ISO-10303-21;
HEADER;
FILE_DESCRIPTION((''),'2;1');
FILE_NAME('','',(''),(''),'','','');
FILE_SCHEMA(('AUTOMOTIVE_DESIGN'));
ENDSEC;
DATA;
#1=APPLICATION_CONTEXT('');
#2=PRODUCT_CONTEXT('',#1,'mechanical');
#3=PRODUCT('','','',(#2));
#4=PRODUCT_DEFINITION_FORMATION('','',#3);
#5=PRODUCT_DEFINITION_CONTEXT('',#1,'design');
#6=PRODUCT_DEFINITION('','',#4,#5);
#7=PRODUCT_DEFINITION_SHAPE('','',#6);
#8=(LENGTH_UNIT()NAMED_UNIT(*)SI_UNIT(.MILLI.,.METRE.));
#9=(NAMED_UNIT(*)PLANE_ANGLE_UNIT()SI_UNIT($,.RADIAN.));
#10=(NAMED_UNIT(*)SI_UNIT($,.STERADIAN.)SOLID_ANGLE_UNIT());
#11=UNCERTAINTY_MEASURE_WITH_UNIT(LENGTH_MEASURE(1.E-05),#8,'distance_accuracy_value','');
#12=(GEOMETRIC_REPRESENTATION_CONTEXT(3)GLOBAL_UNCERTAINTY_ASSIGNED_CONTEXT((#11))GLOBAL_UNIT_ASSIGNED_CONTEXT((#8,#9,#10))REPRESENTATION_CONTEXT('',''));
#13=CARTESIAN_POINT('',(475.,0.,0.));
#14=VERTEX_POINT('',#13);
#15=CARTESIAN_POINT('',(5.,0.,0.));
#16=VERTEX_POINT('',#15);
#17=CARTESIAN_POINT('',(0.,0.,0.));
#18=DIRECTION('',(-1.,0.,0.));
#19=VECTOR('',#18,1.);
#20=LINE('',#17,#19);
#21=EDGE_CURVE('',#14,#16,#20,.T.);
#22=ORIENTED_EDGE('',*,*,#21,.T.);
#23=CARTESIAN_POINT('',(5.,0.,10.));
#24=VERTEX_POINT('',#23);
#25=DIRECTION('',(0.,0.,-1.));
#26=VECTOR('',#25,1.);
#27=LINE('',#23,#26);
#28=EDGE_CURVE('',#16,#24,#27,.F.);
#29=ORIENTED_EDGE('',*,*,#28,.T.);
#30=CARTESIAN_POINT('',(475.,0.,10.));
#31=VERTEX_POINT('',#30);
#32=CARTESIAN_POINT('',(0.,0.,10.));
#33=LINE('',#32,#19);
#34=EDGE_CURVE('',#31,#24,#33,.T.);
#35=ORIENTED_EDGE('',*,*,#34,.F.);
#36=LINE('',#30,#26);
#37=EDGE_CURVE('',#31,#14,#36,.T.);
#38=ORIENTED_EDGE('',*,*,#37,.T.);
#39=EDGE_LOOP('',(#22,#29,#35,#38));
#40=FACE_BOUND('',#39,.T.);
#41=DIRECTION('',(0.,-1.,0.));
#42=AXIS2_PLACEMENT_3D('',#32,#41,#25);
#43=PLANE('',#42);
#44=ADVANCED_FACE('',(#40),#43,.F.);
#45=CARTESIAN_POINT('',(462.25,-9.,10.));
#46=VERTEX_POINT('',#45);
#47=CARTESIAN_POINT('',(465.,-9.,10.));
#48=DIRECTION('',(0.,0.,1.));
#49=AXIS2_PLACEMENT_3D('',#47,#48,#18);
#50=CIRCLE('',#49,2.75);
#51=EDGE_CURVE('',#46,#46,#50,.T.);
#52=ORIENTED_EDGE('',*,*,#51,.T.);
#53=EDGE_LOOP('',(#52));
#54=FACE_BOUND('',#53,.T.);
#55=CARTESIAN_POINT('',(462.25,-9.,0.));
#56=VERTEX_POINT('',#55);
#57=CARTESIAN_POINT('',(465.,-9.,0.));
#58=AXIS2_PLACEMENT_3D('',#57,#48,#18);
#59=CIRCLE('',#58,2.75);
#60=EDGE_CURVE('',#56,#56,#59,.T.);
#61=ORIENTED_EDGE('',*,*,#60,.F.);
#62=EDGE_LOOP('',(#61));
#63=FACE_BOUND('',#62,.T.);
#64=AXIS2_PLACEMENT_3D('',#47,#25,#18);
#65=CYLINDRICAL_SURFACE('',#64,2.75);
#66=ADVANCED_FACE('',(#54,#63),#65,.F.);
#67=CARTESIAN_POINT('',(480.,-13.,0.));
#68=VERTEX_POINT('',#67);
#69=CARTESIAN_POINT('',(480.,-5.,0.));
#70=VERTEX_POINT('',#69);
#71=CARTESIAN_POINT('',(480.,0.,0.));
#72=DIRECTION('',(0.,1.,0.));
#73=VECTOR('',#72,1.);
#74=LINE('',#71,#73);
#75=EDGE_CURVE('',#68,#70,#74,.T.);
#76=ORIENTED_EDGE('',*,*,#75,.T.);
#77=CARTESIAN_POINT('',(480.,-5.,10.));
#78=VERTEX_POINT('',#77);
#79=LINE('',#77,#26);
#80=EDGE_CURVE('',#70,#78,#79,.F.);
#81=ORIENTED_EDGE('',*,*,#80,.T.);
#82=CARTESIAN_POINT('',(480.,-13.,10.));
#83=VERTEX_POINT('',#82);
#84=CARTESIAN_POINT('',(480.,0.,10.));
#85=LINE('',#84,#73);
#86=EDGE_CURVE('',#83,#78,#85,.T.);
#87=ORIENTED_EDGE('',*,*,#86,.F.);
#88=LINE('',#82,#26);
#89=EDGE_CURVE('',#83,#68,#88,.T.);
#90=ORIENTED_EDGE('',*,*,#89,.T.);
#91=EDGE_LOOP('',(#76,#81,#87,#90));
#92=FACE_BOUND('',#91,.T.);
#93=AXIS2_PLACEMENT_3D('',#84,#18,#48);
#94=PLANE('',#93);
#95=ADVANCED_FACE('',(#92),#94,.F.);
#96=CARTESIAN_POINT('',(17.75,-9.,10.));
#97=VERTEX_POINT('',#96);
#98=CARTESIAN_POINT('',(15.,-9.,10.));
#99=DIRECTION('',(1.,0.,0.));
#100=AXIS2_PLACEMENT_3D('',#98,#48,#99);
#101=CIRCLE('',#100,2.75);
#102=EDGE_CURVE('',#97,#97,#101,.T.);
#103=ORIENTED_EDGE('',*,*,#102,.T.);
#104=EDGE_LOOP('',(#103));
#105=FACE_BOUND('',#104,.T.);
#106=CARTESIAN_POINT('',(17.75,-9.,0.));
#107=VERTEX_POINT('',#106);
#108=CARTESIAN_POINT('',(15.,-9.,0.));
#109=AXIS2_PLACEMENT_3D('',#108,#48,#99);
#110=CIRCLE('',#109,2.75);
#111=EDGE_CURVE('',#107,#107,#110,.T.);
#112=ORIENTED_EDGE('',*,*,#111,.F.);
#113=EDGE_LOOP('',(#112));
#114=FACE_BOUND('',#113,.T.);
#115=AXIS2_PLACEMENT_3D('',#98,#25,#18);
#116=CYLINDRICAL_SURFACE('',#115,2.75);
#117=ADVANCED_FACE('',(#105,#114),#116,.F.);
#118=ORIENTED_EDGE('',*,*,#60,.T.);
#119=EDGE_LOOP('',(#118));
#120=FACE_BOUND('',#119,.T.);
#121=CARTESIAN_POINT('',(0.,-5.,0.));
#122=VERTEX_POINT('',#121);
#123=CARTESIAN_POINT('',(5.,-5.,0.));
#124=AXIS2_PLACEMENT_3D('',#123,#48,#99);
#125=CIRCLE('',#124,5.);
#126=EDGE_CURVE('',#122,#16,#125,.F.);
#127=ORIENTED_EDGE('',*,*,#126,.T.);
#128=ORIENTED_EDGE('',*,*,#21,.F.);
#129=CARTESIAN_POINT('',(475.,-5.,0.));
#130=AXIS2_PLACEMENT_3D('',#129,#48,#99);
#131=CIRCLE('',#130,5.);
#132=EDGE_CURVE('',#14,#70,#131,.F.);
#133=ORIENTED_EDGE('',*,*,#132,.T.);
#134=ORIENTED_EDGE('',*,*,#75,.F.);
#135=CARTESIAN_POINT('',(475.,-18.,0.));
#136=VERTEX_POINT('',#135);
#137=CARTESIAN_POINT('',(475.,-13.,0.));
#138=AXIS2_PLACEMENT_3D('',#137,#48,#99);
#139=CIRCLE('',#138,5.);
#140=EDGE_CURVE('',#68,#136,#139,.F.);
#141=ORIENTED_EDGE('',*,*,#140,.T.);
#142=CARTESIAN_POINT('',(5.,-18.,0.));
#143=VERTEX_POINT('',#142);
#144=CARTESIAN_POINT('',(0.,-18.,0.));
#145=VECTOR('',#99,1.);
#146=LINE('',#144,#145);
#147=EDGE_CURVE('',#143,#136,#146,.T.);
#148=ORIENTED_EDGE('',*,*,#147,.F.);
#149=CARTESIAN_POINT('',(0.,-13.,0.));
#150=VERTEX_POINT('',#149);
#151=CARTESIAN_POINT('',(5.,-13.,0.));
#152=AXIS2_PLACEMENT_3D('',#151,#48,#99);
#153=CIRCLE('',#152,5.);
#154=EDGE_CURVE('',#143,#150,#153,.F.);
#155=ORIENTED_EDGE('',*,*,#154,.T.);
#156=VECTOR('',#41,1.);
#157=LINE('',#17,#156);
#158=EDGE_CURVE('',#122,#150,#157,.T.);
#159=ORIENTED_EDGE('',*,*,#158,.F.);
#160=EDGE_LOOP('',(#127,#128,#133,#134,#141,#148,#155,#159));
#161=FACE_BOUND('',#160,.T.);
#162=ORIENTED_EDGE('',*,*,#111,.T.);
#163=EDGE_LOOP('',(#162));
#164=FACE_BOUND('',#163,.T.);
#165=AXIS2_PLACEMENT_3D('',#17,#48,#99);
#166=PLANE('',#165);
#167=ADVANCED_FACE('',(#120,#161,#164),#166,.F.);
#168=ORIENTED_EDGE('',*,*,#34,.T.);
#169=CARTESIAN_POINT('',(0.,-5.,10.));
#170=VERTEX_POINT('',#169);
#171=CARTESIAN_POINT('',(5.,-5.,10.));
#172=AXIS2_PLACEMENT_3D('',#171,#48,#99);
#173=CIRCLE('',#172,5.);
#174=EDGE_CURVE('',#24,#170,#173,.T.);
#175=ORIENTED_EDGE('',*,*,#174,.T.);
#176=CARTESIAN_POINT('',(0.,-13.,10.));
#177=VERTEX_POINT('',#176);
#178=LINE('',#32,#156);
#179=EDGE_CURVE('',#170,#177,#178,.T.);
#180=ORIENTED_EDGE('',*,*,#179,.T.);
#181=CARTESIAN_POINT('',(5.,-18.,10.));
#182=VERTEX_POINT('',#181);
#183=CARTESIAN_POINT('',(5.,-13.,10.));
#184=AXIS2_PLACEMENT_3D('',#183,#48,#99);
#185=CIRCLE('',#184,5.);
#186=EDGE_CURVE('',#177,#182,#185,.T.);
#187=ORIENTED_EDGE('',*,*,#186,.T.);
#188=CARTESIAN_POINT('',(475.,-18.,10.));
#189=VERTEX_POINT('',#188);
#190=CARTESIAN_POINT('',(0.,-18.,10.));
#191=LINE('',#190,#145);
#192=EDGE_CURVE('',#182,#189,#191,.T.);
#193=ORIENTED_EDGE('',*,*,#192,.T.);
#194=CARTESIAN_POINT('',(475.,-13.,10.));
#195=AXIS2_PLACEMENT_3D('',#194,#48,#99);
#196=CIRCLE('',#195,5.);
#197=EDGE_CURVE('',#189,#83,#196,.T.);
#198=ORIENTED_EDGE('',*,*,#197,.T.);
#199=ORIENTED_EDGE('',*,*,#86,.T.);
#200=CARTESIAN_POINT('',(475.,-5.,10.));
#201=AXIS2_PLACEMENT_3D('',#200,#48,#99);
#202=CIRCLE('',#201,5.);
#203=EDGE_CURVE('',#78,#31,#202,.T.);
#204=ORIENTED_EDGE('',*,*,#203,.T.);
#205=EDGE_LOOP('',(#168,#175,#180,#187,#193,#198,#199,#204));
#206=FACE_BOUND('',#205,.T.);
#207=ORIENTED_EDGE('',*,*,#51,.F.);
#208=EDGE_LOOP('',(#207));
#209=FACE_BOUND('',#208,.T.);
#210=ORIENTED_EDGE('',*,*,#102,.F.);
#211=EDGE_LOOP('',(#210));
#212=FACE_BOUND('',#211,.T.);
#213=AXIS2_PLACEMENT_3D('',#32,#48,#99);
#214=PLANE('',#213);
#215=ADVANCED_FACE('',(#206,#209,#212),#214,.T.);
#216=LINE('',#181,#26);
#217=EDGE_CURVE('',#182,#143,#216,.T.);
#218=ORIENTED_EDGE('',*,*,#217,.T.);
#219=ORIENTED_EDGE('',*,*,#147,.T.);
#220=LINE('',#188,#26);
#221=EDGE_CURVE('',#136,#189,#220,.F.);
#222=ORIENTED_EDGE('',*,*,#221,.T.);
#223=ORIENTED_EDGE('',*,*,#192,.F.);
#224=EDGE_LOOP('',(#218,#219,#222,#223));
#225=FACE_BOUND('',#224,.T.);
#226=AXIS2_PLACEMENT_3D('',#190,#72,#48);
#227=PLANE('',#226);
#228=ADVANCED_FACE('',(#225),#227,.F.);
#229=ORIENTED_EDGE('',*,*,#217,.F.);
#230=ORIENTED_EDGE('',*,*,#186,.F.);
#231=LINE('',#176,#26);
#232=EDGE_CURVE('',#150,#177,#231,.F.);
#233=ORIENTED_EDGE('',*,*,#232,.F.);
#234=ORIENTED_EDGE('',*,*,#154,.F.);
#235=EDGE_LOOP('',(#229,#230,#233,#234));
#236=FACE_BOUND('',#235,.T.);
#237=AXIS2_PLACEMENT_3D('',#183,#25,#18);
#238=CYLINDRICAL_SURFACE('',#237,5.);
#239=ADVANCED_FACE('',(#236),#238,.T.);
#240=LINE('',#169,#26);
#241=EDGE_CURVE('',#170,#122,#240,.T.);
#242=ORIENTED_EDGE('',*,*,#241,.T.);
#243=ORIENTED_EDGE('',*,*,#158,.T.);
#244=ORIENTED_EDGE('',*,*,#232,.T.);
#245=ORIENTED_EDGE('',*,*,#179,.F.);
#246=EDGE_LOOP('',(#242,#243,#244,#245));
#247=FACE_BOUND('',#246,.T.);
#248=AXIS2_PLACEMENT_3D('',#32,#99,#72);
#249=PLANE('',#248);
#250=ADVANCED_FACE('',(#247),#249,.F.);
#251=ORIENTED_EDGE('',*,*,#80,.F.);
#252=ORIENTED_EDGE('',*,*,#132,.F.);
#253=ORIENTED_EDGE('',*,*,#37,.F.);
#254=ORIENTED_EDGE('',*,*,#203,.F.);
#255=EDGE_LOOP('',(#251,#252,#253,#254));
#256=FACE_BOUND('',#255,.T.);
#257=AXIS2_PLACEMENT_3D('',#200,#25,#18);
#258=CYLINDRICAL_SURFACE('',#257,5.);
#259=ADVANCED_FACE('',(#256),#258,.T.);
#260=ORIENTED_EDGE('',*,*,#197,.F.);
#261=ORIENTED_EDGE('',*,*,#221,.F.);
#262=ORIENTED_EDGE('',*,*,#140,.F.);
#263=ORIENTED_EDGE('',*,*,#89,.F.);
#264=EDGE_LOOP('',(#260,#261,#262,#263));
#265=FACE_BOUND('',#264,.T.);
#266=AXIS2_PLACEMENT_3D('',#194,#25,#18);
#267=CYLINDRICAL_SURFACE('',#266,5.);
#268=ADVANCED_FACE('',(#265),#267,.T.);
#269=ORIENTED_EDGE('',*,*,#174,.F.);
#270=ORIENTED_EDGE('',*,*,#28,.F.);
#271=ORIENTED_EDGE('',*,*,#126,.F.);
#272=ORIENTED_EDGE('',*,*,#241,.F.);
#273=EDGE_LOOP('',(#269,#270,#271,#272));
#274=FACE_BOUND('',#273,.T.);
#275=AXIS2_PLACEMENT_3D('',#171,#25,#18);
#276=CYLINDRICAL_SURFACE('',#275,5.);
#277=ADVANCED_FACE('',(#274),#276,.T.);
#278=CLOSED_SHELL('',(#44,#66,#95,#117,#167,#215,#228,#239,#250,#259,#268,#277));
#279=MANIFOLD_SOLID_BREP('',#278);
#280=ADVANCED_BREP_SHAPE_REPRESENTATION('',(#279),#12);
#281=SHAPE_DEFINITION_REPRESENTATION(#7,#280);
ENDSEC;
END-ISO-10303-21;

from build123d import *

# Parameters (mm, degrees)
SKETCH_1_W      = 480
SKETCH_1_H      = 18
SKETCH_1_R      = 2.75
EXTRUDE_1_DEPTH = 10
FILLET_1_R      = 5


with BuildPart() as part:
    # 草图1 → 凸台-拉伸1 (new body)
    with BuildSketch(Plane.XY):
        with Locations((240, -9)):
            Rectangle(SKETCH_1_W, SKETCH_1_H)
        with Locations((15, -9)):
            Circle(SKETCH_1_R, mode=Mode.SUBTRACT)
        with Locations(Location((465, -9, 0), (0, 0, 180))):
            Circle(SKETCH_1_R, mode=Mode.SUBTRACT)
    extrude(amount=EXTRUDE_1_DEPTH)

    # 圆角1
    fillet_1_edges = [part.edges().sort_by_distance(p)[0] for p in [
        (0, 0, 5),
        (480, 0, 5),
        (480, -18, 5),
        (0, -18, 5),
    ]]
    fillet(fillet_1_edges, radius=FILLET_1_R)


solid = part.part
